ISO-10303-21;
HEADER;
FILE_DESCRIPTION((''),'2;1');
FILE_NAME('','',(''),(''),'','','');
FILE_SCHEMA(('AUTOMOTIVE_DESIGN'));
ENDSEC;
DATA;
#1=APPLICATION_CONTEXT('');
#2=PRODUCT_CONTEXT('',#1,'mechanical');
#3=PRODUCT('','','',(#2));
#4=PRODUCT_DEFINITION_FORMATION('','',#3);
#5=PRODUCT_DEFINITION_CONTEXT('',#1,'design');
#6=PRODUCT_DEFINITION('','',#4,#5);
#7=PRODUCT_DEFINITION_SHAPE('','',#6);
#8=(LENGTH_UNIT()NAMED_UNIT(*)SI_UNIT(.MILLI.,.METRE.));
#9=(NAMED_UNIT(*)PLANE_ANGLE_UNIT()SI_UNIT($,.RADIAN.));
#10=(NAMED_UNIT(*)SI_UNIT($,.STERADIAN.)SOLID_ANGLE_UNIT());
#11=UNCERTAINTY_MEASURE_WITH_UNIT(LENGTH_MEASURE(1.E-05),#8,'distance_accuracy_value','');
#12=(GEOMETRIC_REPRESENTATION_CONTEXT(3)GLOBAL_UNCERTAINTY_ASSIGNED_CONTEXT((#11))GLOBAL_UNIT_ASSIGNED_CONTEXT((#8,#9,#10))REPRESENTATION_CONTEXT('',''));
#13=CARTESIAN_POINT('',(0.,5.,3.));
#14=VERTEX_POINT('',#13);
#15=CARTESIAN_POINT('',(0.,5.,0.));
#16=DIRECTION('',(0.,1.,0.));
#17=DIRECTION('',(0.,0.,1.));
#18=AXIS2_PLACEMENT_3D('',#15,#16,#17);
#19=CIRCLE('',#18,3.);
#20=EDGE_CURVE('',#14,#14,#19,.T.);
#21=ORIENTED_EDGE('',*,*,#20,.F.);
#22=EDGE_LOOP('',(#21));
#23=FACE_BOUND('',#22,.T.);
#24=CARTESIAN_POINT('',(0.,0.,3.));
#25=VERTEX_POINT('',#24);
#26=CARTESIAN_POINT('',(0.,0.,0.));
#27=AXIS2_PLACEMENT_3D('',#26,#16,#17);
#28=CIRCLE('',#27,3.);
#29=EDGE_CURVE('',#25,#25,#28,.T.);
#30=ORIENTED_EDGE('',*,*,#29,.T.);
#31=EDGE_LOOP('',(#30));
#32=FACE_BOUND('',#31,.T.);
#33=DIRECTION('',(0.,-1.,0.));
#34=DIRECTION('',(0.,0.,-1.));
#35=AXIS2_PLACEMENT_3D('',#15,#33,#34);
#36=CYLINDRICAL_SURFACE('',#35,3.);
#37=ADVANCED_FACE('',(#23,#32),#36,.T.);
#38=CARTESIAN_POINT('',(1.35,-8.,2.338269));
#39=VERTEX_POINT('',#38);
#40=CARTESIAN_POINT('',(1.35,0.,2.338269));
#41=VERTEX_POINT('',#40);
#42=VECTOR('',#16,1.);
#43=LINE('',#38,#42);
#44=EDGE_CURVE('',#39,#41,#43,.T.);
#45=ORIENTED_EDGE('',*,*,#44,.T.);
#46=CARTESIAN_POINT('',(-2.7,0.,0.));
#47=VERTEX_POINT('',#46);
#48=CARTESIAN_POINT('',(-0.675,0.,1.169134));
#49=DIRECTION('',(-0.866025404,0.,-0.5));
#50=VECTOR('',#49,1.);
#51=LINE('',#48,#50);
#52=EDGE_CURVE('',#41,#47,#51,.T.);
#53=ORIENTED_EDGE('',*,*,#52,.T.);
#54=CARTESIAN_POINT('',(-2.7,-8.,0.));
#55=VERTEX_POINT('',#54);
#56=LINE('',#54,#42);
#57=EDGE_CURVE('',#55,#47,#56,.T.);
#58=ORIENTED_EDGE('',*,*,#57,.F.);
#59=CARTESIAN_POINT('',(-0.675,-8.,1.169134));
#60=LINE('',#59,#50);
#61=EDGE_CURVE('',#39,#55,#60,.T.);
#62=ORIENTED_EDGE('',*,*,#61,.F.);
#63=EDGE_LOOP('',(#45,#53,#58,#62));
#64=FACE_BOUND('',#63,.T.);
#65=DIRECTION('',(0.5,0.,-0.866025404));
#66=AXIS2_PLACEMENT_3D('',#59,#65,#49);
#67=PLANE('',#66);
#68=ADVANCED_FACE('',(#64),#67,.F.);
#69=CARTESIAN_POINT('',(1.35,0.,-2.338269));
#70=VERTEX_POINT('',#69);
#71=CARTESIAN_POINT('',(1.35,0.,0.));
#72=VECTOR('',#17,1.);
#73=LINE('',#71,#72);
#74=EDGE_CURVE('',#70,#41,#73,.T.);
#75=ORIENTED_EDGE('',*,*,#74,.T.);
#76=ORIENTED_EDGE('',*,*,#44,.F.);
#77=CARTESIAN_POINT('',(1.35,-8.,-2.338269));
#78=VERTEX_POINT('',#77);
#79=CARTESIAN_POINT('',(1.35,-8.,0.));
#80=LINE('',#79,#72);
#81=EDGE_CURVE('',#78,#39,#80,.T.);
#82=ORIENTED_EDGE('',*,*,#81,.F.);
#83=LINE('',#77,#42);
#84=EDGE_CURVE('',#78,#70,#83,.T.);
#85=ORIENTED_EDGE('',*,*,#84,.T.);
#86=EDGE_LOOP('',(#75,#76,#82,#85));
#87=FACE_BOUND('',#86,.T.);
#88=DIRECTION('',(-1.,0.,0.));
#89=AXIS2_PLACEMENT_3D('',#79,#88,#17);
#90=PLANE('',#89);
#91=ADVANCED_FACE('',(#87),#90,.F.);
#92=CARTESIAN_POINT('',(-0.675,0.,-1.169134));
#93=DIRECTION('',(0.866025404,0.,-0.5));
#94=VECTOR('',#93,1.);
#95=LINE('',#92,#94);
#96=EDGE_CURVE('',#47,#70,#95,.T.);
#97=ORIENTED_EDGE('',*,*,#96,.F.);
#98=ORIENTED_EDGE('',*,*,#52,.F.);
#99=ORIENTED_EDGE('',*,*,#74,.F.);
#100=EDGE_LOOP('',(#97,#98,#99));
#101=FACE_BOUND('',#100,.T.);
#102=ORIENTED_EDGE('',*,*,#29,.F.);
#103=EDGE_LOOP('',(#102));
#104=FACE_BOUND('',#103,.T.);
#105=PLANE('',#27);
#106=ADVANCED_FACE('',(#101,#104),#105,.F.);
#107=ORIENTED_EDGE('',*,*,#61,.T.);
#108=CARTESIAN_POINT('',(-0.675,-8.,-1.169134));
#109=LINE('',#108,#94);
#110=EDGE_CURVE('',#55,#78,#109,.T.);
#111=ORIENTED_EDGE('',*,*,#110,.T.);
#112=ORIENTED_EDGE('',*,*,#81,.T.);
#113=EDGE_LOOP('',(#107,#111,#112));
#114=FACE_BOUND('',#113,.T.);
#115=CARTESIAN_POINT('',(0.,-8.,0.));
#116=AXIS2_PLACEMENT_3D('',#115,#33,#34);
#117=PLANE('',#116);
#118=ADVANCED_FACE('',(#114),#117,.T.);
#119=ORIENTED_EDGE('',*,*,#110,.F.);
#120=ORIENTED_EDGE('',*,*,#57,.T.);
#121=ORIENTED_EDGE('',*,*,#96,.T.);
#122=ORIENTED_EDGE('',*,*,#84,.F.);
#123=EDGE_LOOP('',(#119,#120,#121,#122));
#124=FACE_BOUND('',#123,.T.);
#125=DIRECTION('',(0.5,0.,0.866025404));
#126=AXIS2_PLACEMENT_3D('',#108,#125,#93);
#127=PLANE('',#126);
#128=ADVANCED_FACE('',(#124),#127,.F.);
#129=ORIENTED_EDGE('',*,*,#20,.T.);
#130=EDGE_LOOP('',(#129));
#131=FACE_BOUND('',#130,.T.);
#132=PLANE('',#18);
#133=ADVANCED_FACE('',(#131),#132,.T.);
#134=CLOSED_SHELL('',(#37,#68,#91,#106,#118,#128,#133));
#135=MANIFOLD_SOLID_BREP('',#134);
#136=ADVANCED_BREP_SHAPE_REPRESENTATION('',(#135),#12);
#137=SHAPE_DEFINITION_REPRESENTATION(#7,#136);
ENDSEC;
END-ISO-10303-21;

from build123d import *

# Parameters (mm, degrees)
SKETCH1_R           = 3
BOSS_EXTRUDE1_DEPTH = 5
BOSS_EXTRUDE2_DEPTH = 8


with BuildPart() as part:
    # Sketch1 → Boss-Extrude1 (new body)
    with BuildSketch(Plane(origin=(0, 0, 0), x_dir=(1, 0, 0), z_dir=(0, 1, 0))):
        with Locations(Location((0, 0, 0), (0, 0, 270))):
            Circle(SKETCH1_R)
    extrude(amount=BOSS_EXTRUDE1_DEPTH)

    # Sketch2 → Boss-Extrude2 (add)
    with BuildSketch(Plane.XZ):
        Polygon((1.35, -2.33826859), (1.35, 2.33826859), (-2.7, 0), align=None)
    extrude(amount=BOSS_EXTRUDE2_DEPTH)


solid = part.part
